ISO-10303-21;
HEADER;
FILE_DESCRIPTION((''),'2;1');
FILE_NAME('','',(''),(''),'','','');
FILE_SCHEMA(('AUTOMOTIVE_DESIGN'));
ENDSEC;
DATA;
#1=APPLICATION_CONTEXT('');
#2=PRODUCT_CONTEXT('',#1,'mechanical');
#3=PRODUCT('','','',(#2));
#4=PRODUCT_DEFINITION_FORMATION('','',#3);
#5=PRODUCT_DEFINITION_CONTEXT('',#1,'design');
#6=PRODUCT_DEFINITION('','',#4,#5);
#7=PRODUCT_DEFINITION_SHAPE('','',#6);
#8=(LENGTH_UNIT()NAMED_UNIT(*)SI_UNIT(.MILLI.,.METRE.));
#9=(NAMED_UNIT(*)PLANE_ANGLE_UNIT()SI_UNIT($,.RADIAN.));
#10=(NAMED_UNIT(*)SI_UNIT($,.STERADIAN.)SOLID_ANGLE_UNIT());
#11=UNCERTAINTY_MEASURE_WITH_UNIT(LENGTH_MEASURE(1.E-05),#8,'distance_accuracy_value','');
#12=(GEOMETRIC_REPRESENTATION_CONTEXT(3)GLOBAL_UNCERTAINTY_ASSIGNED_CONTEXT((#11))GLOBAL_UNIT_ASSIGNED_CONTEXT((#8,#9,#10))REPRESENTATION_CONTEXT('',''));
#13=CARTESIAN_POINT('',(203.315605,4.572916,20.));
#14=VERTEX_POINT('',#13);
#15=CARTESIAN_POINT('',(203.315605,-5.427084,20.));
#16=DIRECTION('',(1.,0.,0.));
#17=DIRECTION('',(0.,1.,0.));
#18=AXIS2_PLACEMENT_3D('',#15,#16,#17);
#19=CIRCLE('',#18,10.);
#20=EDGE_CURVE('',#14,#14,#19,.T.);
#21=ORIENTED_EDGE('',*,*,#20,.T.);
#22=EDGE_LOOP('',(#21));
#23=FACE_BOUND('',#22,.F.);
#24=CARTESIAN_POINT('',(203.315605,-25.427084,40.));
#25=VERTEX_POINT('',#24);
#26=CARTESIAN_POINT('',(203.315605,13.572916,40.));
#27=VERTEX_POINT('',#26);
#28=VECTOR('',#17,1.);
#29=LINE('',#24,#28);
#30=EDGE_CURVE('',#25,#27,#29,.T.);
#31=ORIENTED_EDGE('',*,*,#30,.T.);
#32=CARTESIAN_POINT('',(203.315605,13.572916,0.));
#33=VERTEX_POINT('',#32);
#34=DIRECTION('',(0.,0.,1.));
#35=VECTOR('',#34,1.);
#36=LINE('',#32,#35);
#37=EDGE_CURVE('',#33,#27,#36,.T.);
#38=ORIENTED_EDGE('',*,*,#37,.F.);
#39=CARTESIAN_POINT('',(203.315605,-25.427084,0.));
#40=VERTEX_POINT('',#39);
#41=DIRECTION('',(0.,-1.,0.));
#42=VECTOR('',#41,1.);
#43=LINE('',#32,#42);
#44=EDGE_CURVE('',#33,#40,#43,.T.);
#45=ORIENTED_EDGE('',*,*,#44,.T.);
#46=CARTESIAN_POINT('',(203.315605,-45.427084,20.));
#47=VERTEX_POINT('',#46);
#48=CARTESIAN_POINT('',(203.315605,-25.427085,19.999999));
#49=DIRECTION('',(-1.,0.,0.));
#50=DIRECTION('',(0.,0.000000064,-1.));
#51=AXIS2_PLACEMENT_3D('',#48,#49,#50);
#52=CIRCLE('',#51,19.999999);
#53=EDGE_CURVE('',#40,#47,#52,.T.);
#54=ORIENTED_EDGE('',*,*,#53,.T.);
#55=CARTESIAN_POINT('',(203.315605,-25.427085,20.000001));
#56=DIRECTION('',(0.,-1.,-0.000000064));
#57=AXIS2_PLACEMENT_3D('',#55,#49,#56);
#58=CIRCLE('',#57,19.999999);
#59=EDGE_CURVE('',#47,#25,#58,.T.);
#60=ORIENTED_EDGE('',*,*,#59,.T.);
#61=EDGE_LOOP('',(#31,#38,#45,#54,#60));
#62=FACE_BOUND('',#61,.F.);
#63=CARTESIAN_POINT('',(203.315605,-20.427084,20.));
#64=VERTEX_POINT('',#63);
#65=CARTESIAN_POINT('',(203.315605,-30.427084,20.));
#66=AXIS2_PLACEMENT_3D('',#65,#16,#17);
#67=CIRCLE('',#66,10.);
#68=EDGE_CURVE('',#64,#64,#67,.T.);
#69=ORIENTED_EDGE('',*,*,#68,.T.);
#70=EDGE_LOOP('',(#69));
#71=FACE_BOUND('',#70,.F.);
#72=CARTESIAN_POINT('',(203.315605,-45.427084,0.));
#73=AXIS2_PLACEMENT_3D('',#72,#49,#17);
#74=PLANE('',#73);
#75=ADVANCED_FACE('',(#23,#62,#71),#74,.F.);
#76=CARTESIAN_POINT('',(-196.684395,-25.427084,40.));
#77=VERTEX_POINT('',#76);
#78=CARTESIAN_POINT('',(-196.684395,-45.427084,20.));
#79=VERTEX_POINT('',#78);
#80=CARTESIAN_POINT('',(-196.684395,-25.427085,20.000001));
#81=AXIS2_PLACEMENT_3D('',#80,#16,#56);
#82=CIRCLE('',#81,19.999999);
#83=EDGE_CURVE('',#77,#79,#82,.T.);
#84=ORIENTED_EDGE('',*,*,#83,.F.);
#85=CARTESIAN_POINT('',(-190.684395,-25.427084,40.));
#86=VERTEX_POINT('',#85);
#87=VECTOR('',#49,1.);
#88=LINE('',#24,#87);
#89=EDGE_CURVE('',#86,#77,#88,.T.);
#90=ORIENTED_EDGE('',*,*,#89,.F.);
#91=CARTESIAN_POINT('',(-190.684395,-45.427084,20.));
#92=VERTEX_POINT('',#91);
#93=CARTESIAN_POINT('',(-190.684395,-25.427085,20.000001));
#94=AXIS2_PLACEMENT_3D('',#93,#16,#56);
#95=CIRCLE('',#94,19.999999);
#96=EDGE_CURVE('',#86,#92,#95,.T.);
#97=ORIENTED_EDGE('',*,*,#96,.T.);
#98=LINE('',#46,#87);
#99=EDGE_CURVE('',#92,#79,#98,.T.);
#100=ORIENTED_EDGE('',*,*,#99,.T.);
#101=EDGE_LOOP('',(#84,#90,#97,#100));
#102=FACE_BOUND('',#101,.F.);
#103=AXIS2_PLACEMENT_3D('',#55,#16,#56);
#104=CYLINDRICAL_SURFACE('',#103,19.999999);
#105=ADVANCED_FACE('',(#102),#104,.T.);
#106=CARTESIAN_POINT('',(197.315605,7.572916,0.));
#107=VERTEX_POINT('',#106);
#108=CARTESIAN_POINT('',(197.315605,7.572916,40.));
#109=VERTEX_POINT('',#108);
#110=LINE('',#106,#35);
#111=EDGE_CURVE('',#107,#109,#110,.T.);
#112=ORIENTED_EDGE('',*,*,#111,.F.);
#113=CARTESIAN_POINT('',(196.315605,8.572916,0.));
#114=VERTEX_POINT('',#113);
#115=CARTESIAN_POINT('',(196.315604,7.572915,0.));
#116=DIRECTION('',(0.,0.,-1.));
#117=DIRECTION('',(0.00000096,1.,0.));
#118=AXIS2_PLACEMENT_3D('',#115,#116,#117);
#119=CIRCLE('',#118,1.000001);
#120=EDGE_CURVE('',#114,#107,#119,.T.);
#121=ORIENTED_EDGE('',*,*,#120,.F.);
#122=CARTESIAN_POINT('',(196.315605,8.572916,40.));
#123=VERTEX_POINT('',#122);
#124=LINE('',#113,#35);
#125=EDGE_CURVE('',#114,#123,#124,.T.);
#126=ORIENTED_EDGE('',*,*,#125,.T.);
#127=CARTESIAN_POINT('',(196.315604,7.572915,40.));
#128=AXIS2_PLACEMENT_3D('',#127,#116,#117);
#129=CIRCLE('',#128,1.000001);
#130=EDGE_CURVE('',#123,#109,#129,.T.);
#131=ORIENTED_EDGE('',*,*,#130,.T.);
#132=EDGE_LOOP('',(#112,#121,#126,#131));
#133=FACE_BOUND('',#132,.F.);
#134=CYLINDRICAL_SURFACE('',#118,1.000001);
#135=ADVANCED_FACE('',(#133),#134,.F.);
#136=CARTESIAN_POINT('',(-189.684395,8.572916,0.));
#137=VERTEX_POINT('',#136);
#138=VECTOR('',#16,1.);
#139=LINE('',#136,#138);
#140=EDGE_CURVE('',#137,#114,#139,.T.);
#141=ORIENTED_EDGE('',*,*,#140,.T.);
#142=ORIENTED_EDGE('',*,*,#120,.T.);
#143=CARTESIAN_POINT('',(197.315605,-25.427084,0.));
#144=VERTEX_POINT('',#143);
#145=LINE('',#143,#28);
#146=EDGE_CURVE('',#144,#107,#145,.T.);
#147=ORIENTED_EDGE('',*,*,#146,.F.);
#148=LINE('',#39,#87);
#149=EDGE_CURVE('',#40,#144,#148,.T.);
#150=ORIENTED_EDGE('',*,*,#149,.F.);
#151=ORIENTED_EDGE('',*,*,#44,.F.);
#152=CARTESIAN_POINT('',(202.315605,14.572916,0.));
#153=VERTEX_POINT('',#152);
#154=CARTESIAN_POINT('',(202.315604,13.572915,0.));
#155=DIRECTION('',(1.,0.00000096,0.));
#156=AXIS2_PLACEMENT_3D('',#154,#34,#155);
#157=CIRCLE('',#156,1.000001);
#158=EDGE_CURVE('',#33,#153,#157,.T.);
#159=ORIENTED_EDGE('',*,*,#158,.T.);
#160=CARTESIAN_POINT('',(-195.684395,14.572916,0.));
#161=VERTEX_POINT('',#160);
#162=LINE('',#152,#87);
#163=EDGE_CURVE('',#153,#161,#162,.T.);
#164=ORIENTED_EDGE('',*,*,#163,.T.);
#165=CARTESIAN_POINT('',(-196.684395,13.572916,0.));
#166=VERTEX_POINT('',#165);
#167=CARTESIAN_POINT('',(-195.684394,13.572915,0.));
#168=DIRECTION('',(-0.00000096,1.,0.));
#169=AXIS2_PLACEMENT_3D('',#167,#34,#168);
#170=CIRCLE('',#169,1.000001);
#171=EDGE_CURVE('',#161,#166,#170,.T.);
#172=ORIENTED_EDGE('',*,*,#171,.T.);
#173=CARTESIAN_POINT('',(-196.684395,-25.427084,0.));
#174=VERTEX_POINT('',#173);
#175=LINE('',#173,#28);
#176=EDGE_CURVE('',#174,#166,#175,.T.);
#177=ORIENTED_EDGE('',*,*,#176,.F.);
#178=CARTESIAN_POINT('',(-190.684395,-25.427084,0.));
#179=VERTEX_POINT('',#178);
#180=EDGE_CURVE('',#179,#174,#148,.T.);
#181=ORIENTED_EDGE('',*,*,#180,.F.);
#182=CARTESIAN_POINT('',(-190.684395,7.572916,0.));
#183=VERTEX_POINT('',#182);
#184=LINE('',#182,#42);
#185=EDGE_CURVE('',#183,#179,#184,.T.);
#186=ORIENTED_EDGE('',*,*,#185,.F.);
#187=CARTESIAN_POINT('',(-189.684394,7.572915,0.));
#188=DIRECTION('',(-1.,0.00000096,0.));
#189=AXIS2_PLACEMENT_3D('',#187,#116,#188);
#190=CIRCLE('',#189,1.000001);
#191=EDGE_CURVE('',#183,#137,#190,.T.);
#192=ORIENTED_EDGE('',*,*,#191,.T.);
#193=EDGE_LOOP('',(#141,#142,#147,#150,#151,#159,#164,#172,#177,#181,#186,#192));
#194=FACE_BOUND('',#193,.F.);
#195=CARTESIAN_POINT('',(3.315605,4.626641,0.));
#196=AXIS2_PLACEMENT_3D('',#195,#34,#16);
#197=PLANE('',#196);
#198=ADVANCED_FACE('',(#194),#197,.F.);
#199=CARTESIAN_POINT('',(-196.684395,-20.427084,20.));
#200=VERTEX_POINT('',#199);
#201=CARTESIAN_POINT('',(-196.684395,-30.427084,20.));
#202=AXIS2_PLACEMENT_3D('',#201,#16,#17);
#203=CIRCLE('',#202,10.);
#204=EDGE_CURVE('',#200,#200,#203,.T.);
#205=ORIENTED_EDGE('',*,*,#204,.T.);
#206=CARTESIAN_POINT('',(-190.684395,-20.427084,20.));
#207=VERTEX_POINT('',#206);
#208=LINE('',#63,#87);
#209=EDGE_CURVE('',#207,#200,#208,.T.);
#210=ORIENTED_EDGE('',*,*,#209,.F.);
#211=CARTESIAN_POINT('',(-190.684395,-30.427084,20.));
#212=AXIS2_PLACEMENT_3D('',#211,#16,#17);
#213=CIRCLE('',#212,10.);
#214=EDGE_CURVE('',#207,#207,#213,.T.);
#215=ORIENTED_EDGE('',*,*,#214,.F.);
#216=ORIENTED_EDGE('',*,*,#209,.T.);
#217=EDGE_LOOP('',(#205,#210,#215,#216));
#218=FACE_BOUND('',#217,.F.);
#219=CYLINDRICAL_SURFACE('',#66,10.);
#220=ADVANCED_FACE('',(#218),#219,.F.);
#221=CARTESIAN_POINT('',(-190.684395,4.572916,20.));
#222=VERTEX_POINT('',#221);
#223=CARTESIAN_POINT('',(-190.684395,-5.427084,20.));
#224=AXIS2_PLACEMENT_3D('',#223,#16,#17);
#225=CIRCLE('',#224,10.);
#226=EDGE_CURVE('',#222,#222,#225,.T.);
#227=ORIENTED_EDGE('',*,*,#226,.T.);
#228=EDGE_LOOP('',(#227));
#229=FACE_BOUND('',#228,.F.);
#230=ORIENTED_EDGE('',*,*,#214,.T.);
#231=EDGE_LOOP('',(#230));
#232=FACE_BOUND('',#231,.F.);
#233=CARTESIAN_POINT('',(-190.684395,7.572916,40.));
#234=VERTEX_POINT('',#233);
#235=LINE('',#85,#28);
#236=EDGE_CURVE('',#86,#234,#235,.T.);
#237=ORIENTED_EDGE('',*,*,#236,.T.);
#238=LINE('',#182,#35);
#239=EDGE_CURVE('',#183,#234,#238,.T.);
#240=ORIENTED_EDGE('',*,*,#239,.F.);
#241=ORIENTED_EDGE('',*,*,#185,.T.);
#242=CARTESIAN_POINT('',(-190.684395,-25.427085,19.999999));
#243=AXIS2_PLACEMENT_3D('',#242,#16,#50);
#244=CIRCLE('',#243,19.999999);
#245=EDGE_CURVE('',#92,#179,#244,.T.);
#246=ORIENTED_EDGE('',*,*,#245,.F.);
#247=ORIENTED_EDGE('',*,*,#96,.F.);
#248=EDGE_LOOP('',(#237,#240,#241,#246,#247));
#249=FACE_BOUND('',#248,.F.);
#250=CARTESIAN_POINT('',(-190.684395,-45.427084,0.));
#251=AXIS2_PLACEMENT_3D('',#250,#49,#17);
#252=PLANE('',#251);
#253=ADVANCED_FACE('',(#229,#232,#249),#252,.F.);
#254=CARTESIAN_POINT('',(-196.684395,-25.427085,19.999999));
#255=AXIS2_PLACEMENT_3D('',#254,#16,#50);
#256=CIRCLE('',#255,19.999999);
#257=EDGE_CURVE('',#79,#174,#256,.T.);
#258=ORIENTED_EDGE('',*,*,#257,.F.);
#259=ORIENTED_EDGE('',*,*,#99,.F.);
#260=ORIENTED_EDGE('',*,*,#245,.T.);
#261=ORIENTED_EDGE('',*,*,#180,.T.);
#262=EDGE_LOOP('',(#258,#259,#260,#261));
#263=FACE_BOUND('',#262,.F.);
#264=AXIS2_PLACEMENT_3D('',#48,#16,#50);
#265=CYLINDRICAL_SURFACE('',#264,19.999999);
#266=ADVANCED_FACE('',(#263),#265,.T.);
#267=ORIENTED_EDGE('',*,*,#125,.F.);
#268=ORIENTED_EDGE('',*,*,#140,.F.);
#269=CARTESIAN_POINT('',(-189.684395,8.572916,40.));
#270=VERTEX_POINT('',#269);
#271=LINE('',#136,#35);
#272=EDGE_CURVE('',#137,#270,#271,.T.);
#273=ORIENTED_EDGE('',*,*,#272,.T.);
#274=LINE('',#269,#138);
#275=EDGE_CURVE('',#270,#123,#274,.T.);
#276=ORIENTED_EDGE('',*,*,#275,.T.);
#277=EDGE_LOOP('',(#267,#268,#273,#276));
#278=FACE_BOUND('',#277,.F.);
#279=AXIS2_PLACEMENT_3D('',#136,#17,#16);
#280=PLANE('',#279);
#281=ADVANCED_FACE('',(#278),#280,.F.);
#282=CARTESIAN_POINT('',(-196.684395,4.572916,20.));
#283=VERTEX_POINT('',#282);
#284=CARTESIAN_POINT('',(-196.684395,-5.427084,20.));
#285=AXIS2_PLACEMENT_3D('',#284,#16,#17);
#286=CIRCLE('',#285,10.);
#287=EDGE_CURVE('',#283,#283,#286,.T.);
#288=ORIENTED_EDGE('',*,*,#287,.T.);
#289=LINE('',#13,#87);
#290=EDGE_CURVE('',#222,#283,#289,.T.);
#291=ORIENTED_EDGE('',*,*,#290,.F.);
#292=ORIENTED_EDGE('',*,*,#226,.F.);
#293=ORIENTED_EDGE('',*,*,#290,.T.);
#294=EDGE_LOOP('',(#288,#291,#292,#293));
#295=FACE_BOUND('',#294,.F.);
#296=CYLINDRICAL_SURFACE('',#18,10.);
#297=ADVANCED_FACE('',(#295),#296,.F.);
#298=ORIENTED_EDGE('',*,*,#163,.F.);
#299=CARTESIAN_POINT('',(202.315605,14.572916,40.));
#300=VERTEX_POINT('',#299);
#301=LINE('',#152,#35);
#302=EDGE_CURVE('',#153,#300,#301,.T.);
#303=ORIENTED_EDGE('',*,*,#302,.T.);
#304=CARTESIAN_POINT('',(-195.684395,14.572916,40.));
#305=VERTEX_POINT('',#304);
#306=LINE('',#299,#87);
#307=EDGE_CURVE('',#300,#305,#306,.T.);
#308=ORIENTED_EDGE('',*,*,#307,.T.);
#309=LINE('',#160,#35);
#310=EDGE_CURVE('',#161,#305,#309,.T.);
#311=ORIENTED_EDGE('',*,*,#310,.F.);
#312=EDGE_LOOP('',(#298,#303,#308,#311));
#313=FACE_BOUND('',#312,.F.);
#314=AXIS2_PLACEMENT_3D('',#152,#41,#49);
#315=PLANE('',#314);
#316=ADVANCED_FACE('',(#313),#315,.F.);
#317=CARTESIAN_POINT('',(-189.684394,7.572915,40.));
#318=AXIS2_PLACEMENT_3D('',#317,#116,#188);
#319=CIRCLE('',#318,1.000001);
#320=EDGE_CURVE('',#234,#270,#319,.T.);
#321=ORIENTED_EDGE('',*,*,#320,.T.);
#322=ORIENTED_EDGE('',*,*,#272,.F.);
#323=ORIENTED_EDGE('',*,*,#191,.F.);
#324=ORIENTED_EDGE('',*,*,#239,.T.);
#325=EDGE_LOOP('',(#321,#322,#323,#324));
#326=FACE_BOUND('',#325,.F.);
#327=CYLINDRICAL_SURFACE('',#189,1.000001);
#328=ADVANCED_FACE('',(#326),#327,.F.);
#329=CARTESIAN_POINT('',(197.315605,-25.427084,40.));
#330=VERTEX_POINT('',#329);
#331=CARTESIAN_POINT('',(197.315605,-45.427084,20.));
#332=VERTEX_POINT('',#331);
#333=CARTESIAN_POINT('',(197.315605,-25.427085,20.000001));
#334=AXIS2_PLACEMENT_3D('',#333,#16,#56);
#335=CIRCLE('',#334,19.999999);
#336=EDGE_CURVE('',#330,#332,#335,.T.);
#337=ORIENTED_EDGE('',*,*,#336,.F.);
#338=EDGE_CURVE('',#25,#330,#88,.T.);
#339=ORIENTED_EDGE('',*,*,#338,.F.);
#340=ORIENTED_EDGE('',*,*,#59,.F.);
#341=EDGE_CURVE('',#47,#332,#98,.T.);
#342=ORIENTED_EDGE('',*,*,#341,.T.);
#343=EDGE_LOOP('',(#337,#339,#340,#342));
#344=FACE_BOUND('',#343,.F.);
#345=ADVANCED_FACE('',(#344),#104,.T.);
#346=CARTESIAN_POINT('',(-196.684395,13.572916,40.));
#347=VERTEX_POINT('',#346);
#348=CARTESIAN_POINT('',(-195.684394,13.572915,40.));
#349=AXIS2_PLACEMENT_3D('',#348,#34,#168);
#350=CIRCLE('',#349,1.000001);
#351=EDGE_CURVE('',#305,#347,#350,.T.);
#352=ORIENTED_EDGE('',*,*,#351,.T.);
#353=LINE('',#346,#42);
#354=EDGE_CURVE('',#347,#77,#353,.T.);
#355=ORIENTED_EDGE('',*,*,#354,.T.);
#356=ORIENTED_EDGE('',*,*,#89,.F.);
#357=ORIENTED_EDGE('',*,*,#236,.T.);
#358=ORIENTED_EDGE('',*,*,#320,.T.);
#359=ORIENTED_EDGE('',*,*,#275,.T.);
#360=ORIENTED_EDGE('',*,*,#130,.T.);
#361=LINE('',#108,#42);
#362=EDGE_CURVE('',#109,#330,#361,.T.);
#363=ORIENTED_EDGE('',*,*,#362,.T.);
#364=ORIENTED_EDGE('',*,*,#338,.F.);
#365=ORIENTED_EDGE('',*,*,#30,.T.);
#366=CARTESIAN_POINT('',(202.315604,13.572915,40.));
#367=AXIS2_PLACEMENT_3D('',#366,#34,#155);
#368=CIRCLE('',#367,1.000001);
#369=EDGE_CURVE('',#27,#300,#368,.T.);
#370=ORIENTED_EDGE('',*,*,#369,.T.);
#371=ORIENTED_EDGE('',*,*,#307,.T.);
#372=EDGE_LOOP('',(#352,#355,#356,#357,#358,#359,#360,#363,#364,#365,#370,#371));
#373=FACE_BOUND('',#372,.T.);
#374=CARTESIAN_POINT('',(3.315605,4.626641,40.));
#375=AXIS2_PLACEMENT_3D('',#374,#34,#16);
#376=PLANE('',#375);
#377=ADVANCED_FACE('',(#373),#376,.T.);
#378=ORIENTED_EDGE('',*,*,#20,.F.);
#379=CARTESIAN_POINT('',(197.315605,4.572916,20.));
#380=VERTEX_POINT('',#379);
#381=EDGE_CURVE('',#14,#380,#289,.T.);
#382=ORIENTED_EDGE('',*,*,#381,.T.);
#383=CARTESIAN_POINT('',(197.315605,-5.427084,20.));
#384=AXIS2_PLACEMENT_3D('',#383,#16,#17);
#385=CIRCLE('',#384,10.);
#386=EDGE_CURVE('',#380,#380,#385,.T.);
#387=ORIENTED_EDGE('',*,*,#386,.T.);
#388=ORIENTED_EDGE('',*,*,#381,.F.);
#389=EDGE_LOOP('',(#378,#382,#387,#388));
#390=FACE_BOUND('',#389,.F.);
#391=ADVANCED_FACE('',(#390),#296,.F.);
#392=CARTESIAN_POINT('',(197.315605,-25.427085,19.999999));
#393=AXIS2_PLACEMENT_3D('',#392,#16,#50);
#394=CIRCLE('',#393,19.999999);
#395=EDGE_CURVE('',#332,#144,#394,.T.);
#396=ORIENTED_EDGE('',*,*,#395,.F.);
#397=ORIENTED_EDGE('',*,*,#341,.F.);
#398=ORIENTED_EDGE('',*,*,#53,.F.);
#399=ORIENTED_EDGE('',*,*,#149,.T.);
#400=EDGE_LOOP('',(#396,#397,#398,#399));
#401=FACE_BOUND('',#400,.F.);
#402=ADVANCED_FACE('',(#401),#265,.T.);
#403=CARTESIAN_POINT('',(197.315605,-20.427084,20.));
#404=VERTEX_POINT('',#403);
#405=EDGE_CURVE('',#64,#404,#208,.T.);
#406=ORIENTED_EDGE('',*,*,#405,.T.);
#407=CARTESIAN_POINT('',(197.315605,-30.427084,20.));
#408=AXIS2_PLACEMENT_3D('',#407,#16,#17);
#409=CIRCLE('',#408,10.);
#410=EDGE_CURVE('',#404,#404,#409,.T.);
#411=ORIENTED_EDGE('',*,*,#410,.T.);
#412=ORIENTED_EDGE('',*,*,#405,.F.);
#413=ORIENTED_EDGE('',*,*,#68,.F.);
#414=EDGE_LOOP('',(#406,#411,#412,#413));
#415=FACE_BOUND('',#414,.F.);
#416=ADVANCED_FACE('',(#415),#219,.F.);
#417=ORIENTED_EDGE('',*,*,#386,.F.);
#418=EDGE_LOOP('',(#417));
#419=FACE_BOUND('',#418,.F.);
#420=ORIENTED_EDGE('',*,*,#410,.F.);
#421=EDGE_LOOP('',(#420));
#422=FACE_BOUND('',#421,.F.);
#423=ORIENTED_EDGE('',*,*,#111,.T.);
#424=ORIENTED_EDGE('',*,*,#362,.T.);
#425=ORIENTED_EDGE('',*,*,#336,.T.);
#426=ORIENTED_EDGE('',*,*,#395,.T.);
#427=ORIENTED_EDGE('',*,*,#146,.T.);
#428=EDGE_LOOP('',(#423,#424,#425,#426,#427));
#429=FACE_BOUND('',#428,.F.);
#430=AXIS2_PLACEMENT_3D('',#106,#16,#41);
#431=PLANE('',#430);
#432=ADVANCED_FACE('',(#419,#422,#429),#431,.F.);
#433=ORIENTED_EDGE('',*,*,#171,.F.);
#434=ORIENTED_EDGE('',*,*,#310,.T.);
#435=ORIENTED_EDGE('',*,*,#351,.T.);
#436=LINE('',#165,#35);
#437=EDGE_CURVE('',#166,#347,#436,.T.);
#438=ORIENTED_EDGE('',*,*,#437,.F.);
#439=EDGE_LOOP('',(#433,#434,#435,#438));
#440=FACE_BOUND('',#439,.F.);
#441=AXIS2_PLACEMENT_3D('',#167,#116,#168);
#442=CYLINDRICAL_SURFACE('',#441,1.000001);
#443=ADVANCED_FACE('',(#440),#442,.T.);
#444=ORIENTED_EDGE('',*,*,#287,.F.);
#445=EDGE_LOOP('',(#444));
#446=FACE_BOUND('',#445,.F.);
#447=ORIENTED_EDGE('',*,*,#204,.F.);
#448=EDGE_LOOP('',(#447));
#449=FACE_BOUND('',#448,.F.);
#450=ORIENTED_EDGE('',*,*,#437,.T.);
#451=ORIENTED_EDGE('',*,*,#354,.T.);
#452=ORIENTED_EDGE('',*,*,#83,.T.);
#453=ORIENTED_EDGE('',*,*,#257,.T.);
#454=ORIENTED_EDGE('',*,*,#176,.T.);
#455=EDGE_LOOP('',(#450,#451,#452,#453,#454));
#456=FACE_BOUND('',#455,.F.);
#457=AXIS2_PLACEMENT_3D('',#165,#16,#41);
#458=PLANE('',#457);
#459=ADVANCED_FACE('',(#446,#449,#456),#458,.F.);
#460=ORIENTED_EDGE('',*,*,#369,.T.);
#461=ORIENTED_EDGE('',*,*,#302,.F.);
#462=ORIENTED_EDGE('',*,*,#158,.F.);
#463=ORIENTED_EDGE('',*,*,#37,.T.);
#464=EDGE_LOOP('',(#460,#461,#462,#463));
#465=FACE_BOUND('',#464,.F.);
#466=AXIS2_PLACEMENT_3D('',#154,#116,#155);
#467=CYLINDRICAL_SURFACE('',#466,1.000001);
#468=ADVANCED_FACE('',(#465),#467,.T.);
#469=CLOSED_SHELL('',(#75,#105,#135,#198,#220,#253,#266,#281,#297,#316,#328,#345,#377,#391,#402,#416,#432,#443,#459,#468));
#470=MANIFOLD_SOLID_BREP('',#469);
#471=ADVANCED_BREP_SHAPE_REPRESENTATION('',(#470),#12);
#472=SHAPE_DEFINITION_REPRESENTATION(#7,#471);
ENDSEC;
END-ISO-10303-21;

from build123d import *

# Parameters (mm, degrees)
F1_DEPTH = 40
F2_R     = 10
F3_DEPTH = 400.001


with BuildPart() as f1:
    # F0 (on Top) → F1 (new body)
    with BuildSketch(Plane.XY):
        with BuildLine():
            Line((202.315605, 14.572916), (-195.684395, 14.572916))
            ThreePointArc((-195.684395, 14.572916), (-196.391502, 14.280022), (-196.684395, 13.572916))
            Line((-196.684395, 13.572916), (-196.684395, -45.427084))
            Line((-196.684395, -45.427084), (-190.684395, -45.427084))
            Line((-190.684395, -45.427084), (-190.684395, 7.572916))
            ThreePointArc((-190.684395, 7.572916), (-190.391502, 8.280022), (-189.684395, 8.572916))
            Line((-189.684395, 8.572916), (196.315605, 8.572916))
            ThreePointArc((196.315605, 8.572916), (197.022712, 8.280022), (197.315605, 7.572916))
            Line((197.315605, 7.572916), (197.315605, -45.427084))
            Line((197.315605, -45.427084), (203.315605, -45.427084))
            Line((203.315605, -45.427084), (203.315605, 13.572916))
            ThreePointArc((203.315605, 13.572916), (203.022712, 14.280022), (202.315605, 14.572916))
        make_face()
    extrude(amount=F1_DEPTH)

    # F2 (on face) → F3 (cut, through all)
    with BuildSketch(Plane.YZ.offset(203.315605)):
        with BuildLine():
            Line((-23.139201, 59.691776), (-66.175789, 59.691776))
            Line((-66.175789, 59.691776), (-66.175789, -19.468792))
            Line((-66.175789, -19.468792), (-23.139201, -19.468792))
            Line((-23.139201, -19.468792), (-23.139201, 0))
            Line((-23.139201, 0), (-25.427084, 0))
            ThreePointArc((-25.427084, 0), (-39.56922, 5.857864), (-45.427084, 20))
            ThreePointArc((-45.427084, 20), (-39.56922, 34.142136), (-25.427084, 40))
            Line((-25.427084, 40), (-23.139201, 40))
            Line((-23.139201, 40), (-23.139201, 59.691776))
        make_face()
        with Locations((-30.427084, 20)):
            Circle(F2_R)
        with Locations((-5.427084, 20)):
            Circle(F2_R)
    extrude(amount=-F3_DEPTH, mode=Mode.SUBTRACT)


solid = f1.part
